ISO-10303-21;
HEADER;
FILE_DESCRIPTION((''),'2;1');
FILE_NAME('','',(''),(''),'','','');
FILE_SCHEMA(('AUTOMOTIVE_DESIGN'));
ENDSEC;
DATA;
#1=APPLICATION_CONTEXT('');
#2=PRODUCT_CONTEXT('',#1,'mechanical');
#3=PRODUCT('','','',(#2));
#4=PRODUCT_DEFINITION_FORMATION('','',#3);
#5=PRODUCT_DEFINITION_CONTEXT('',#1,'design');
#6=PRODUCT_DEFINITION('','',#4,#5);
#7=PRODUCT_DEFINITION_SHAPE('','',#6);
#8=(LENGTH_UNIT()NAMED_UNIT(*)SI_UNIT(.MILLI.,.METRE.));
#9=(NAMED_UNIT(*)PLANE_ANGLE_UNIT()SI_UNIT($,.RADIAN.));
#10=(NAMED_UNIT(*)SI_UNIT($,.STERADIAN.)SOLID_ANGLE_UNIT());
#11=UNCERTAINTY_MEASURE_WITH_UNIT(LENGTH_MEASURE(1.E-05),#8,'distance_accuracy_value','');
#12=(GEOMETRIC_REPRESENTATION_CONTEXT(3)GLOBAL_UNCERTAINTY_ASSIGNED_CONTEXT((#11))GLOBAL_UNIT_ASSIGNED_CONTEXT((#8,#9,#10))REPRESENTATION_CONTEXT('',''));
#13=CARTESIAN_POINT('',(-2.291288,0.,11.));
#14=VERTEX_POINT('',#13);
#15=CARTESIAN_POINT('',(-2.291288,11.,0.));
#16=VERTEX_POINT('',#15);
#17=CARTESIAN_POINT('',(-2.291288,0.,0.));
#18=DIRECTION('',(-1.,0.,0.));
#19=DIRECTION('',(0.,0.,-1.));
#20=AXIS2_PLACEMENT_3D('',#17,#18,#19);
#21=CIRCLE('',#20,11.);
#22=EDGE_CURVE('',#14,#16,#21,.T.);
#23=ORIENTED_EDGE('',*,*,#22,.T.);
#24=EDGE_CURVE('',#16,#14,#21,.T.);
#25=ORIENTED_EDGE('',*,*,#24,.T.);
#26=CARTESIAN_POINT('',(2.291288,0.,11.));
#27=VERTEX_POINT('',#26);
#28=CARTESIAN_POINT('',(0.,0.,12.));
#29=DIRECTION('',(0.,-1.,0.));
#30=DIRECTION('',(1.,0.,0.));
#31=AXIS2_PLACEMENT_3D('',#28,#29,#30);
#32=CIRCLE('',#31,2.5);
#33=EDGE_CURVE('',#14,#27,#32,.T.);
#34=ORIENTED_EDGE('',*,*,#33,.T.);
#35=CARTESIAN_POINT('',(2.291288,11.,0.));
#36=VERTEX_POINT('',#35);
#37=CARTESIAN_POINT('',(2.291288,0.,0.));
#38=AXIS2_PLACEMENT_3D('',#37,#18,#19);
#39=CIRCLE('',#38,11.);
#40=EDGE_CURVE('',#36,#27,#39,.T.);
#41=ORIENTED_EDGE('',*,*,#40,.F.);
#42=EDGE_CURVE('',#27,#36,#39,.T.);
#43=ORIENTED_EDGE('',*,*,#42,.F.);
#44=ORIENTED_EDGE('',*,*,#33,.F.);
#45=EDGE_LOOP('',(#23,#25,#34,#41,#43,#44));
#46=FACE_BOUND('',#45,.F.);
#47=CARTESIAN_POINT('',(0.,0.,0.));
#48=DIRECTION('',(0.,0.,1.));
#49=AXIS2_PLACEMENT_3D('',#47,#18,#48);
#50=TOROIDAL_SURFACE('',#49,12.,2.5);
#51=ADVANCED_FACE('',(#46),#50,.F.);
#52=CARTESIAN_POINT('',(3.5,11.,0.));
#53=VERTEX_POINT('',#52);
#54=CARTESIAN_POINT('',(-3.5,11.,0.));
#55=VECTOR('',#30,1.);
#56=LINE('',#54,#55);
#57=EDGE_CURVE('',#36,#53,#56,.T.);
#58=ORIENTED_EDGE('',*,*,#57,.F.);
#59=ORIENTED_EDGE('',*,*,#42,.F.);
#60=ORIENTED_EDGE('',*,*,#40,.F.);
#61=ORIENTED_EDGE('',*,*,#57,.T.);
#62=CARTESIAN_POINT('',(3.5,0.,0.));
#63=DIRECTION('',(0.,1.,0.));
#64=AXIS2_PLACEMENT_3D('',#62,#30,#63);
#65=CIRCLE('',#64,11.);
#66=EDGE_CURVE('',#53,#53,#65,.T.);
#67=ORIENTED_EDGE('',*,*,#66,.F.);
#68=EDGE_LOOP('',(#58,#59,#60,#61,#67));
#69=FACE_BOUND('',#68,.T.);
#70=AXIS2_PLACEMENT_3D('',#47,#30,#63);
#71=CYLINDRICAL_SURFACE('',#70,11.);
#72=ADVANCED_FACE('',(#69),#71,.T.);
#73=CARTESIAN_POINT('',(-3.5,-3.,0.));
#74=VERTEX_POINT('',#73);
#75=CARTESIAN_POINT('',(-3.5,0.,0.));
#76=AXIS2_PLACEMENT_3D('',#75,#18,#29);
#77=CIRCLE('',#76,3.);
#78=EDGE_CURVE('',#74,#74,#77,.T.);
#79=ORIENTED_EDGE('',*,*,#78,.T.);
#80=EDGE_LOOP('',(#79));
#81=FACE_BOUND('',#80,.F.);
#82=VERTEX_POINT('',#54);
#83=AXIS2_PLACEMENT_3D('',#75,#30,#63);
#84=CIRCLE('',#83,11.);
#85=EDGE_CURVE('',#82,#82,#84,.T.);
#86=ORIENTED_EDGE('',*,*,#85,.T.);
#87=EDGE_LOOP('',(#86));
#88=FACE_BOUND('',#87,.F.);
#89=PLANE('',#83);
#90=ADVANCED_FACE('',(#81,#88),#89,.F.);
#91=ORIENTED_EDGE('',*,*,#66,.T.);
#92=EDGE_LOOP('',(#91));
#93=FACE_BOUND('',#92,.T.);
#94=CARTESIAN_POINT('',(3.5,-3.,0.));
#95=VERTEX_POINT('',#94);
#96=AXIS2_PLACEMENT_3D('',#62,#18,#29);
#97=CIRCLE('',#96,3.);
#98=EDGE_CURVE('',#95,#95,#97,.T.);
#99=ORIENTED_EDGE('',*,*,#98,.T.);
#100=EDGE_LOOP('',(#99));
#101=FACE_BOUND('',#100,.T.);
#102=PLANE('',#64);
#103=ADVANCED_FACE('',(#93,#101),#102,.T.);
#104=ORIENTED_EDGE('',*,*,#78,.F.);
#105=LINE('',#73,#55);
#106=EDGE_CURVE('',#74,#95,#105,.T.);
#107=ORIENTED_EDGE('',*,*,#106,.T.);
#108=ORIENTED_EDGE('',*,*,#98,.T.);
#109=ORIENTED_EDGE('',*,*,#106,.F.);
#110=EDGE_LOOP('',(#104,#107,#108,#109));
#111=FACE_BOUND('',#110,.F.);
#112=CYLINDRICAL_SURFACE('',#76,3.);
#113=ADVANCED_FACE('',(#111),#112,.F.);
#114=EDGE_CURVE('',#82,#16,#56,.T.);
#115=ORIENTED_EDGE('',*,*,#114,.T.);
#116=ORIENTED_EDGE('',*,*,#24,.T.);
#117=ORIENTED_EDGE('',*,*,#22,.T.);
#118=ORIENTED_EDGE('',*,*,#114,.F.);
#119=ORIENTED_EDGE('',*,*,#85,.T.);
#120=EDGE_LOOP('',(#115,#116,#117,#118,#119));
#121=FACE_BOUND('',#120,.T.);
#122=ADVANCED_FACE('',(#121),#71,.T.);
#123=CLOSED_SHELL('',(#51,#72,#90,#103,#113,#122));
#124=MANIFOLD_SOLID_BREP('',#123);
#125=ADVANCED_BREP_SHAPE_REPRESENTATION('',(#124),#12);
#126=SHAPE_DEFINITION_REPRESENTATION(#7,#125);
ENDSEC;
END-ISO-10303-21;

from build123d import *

# Parameters (mm, degrees)
F0_R          = 11
F1_DEPTH      = 3.5
F1_DEPTH_BACK = 3.5
F2_R          = 2.5
F4_R          = 3
F5_DEPTH      = 7


with BuildPart() as f1:
    # F0 (on Right) → F1 (new body, two sides)
    with BuildSketch(Plane.YZ) as f1_sk:
        Circle(F0_R)
    extrude(amount=F1_DEPTH)
    extrude(f1_sk.sketch, amount=-F1_DEPTH_BACK)

    # F2 (on Front) → F3 (revolve, cut)
    with BuildSketch(Plane.XZ):
        with Locations((0, 12)):
            Circle(F2_R)
    revolve(axis=Axis((-5, 0, 0), (-1, 0, 0)), mode=Mode.SUBTRACT)

    # F4 (on face) → F5 (cut, through all)
    with BuildSketch(Plane(origin=(-3.5, 0, 0), x_dir=(0, -1, 0), z_dir=(-1, 0, 0))):
        Circle(F4_R)
    extrude(amount=-F5_DEPTH, mode=Mode.SUBTRACT)


solid = f1.part
